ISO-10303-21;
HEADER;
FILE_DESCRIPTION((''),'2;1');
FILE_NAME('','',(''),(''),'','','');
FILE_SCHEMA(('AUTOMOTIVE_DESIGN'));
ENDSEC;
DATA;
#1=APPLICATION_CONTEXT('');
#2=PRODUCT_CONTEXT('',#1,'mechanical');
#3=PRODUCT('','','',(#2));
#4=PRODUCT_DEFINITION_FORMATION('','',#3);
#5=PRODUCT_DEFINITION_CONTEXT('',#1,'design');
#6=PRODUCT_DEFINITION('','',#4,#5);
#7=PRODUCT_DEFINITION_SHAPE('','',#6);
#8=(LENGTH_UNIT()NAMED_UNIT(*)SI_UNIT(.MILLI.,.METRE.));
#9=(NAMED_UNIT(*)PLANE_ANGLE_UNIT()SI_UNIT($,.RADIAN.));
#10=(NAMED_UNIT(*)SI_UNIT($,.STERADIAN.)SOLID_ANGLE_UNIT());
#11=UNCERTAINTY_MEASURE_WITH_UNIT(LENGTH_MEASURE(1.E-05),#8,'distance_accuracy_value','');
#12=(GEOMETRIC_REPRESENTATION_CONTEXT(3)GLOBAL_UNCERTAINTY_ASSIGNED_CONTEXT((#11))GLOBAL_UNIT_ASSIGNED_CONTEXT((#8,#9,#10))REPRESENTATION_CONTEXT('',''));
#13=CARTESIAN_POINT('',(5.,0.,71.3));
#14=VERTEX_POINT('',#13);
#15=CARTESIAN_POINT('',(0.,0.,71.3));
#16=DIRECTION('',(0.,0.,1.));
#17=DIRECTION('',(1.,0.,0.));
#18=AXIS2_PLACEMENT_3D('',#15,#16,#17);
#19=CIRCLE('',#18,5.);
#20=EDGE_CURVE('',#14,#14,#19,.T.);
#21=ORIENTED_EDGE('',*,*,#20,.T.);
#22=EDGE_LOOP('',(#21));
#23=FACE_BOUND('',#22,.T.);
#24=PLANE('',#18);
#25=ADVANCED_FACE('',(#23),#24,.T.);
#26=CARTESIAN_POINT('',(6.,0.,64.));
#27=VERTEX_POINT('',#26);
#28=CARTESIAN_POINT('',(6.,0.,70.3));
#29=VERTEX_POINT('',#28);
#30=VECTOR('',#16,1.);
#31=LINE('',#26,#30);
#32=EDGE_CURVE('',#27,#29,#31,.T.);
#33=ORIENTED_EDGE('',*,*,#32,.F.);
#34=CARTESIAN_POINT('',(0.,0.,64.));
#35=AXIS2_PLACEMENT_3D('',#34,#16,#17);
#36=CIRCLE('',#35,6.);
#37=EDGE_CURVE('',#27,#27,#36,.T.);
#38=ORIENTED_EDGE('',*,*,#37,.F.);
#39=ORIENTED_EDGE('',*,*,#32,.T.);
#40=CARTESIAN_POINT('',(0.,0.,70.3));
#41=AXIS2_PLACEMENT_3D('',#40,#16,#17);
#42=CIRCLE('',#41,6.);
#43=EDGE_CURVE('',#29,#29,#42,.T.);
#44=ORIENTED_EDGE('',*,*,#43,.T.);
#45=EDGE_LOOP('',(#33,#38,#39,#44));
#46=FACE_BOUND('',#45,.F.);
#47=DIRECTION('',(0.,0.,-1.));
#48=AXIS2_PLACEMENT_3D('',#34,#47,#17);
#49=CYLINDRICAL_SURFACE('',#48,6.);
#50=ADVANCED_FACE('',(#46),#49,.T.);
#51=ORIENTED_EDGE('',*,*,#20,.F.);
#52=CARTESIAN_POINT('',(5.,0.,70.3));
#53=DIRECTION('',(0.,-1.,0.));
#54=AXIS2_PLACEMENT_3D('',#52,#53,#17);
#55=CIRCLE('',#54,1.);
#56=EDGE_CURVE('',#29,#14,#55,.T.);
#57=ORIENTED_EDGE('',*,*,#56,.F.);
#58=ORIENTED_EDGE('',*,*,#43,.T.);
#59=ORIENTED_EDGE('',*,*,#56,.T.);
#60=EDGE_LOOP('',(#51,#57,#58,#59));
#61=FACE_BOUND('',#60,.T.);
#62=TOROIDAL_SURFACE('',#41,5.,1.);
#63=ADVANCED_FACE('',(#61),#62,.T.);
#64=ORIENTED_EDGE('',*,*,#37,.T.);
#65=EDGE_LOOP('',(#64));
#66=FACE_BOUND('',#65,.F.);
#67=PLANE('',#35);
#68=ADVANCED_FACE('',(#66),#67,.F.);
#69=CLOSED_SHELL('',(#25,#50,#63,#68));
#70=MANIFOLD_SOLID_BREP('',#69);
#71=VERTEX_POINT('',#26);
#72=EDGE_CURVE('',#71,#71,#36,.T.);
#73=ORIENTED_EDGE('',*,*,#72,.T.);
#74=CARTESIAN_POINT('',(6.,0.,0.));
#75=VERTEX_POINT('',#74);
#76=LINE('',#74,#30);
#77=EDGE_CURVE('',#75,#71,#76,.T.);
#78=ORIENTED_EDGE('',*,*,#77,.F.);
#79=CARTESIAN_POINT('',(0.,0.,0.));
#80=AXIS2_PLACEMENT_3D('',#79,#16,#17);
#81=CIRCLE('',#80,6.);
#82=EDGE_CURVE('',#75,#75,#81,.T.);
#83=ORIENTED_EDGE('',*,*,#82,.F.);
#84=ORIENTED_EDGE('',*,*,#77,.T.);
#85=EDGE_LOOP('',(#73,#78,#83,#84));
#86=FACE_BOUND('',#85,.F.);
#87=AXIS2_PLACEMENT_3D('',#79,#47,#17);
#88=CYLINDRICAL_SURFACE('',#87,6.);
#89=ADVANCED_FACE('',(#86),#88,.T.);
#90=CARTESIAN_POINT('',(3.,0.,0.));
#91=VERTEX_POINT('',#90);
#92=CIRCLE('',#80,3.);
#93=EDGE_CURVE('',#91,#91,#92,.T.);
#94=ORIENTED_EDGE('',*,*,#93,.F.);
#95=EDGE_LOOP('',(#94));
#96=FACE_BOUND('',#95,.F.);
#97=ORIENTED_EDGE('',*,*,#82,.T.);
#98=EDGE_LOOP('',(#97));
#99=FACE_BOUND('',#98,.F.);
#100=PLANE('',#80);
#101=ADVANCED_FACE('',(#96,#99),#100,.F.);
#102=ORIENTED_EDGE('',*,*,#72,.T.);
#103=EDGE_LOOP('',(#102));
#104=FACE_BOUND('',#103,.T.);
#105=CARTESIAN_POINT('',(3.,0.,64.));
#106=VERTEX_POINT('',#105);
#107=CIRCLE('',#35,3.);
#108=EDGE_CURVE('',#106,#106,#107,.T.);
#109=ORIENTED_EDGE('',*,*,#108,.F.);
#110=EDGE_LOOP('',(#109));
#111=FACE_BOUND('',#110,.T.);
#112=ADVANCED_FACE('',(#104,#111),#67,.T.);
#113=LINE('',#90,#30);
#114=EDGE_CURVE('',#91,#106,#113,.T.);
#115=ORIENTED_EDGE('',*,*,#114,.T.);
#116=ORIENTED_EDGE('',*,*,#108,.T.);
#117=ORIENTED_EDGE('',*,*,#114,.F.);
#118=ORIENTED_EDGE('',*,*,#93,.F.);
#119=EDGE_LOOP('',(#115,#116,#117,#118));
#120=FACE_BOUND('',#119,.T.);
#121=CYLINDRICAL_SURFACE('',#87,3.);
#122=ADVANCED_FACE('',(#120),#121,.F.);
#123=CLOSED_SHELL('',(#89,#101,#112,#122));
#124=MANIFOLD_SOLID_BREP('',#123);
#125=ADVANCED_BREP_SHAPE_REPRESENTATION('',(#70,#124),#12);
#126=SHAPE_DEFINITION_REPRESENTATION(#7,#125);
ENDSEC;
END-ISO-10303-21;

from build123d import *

# Parameters (mm, degrees)
F0_R     = 6
F0_R_2   = 3
F1_DEPTH = 64
F2_R     = 6
F3_DEPTH = 7.3
F4_R     = 1


with BuildPart() as f1:
    # F0 (on Top) → F1 (new body)
    with BuildSketch(Plane.XY):
        Circle(F0_R)
        Circle(F0_R_2, mode=Mode.SUBTRACT)
    extrude(amount=F1_DEPTH)


with BuildPart() as f3:
    # F2 (on face) → F3 (new body)
    with BuildSketch(Plane.XY.offset(64)):
        Circle(F2_R)
    extrude(amount=F3_DEPTH)

    # F4
    f4_edges = [f3.edges().sort_by_distance(p)[0] for p in [
        (-6, 0, 71.3),
    ]]
    fillet(f4_edges, radius=F4_R)


solid = Compound([f1.part, f3.part])
